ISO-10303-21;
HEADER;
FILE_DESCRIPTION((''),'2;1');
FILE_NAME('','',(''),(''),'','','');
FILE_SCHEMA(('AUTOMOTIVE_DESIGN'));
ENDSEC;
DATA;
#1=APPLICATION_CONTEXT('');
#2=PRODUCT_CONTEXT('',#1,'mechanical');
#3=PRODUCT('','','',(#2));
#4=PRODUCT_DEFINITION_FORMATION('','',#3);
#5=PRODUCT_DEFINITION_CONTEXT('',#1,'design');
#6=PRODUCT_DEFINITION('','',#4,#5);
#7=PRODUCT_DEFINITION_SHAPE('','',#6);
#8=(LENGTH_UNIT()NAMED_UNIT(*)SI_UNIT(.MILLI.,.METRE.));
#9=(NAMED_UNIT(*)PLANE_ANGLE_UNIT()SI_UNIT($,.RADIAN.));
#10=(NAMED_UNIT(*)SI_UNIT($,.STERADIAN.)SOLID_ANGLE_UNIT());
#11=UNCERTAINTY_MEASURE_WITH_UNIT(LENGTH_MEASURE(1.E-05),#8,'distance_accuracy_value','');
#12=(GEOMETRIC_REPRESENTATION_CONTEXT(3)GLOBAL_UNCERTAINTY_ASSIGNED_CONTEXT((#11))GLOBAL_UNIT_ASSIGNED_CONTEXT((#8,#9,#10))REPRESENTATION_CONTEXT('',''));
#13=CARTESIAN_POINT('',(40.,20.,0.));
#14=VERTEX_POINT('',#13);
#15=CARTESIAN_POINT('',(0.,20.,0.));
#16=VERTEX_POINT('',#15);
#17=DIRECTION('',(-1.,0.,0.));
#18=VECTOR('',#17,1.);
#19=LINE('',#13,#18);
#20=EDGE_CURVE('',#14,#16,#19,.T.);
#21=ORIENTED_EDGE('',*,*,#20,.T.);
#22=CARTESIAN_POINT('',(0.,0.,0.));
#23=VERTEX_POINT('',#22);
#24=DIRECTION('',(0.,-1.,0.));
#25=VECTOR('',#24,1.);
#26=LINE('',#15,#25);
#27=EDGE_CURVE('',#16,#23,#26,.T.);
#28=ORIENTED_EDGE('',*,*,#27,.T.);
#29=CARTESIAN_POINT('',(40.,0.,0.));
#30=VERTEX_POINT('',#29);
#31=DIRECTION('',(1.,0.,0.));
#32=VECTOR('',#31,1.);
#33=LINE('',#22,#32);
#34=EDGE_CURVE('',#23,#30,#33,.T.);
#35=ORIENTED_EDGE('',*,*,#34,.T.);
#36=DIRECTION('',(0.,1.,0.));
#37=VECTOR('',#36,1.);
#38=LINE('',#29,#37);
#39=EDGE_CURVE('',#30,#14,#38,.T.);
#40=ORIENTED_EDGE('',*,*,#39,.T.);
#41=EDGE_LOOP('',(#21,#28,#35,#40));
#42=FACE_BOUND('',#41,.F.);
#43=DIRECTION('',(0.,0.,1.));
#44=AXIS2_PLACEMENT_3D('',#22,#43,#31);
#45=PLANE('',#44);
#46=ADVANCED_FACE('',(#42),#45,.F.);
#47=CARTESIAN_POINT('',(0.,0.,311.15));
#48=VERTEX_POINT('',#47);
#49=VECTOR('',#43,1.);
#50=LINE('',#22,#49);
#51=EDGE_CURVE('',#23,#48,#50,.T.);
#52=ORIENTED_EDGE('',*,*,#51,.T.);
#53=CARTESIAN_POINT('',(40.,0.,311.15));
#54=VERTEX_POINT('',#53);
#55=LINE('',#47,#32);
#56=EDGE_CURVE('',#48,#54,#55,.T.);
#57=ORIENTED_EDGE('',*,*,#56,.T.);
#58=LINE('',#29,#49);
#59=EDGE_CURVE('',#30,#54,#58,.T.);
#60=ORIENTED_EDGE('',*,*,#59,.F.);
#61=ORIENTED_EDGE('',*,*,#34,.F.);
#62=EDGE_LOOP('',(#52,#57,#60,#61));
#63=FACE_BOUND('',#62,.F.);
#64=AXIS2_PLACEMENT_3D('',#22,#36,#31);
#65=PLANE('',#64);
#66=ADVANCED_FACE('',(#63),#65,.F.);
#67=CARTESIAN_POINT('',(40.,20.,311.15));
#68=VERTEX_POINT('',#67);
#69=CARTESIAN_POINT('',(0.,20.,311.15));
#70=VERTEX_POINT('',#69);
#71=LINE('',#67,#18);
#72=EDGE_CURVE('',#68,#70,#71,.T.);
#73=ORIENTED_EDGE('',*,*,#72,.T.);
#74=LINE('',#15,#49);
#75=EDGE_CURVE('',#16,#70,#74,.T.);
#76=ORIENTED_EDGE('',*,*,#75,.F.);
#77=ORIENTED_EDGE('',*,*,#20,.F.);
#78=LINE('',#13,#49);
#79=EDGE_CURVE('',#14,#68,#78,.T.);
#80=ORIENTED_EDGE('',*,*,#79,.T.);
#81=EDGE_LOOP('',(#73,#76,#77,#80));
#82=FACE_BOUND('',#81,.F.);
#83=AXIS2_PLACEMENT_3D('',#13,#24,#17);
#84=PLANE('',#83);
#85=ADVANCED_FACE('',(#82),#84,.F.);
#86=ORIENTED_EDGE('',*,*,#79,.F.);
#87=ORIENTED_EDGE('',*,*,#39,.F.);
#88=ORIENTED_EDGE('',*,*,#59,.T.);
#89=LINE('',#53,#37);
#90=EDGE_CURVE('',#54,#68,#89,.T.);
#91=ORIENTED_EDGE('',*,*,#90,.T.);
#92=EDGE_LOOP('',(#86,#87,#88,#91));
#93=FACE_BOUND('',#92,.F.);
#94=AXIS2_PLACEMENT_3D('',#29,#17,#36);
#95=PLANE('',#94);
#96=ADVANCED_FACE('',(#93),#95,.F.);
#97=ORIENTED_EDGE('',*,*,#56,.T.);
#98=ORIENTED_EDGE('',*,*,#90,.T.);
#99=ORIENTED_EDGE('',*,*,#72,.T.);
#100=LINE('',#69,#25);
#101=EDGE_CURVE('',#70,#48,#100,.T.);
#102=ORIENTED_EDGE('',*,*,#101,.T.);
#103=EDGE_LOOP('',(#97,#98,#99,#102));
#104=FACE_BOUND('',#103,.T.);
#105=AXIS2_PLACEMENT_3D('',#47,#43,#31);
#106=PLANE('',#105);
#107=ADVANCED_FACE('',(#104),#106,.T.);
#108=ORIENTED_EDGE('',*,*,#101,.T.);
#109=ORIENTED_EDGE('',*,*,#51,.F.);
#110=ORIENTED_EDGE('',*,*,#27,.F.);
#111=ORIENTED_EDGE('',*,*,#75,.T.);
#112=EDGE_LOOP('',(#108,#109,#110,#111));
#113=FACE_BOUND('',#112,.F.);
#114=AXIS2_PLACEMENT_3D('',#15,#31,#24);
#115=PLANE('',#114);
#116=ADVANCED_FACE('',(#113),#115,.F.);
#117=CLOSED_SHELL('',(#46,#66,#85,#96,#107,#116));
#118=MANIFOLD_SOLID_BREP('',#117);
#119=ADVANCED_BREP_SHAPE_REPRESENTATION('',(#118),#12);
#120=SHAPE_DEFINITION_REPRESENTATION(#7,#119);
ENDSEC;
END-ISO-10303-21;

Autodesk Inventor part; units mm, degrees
ref_plane "YZ Plane" through (0, 0, 0) normal (1, 0, 0) x (0, 1, 0)
ref_plane "XZ Plane" through (0, 0, 0) normal (0, 1, 0) x (-1, 0, 0)
ref_plane "XY Plane" through (0, 0, 0) normal (0, 0, 1) x (1, 0, 0)
sketch "Sketch1" plane through (0, 0, 0) normal (0, 0, 1) x (1, 0, 0)
  line L0 (0, 0) -> (40, 0)
  line L1 (40, 0) -> (40, 20)
  line L2 (40, 20) -> (0, 20)
  line L3 (0, 20) -> (0, 0)
  dimension "d0" = 40
  dimension "d1" = 20
extrude "Extrusion1" add sketch "Sketch1" along normal blind 311.15
ref_plane "Work Plane1" through (0, 0, 155.575) normal (0, 0, 1) x (1, 0, 0)
properties part number "Y Base 2040"
